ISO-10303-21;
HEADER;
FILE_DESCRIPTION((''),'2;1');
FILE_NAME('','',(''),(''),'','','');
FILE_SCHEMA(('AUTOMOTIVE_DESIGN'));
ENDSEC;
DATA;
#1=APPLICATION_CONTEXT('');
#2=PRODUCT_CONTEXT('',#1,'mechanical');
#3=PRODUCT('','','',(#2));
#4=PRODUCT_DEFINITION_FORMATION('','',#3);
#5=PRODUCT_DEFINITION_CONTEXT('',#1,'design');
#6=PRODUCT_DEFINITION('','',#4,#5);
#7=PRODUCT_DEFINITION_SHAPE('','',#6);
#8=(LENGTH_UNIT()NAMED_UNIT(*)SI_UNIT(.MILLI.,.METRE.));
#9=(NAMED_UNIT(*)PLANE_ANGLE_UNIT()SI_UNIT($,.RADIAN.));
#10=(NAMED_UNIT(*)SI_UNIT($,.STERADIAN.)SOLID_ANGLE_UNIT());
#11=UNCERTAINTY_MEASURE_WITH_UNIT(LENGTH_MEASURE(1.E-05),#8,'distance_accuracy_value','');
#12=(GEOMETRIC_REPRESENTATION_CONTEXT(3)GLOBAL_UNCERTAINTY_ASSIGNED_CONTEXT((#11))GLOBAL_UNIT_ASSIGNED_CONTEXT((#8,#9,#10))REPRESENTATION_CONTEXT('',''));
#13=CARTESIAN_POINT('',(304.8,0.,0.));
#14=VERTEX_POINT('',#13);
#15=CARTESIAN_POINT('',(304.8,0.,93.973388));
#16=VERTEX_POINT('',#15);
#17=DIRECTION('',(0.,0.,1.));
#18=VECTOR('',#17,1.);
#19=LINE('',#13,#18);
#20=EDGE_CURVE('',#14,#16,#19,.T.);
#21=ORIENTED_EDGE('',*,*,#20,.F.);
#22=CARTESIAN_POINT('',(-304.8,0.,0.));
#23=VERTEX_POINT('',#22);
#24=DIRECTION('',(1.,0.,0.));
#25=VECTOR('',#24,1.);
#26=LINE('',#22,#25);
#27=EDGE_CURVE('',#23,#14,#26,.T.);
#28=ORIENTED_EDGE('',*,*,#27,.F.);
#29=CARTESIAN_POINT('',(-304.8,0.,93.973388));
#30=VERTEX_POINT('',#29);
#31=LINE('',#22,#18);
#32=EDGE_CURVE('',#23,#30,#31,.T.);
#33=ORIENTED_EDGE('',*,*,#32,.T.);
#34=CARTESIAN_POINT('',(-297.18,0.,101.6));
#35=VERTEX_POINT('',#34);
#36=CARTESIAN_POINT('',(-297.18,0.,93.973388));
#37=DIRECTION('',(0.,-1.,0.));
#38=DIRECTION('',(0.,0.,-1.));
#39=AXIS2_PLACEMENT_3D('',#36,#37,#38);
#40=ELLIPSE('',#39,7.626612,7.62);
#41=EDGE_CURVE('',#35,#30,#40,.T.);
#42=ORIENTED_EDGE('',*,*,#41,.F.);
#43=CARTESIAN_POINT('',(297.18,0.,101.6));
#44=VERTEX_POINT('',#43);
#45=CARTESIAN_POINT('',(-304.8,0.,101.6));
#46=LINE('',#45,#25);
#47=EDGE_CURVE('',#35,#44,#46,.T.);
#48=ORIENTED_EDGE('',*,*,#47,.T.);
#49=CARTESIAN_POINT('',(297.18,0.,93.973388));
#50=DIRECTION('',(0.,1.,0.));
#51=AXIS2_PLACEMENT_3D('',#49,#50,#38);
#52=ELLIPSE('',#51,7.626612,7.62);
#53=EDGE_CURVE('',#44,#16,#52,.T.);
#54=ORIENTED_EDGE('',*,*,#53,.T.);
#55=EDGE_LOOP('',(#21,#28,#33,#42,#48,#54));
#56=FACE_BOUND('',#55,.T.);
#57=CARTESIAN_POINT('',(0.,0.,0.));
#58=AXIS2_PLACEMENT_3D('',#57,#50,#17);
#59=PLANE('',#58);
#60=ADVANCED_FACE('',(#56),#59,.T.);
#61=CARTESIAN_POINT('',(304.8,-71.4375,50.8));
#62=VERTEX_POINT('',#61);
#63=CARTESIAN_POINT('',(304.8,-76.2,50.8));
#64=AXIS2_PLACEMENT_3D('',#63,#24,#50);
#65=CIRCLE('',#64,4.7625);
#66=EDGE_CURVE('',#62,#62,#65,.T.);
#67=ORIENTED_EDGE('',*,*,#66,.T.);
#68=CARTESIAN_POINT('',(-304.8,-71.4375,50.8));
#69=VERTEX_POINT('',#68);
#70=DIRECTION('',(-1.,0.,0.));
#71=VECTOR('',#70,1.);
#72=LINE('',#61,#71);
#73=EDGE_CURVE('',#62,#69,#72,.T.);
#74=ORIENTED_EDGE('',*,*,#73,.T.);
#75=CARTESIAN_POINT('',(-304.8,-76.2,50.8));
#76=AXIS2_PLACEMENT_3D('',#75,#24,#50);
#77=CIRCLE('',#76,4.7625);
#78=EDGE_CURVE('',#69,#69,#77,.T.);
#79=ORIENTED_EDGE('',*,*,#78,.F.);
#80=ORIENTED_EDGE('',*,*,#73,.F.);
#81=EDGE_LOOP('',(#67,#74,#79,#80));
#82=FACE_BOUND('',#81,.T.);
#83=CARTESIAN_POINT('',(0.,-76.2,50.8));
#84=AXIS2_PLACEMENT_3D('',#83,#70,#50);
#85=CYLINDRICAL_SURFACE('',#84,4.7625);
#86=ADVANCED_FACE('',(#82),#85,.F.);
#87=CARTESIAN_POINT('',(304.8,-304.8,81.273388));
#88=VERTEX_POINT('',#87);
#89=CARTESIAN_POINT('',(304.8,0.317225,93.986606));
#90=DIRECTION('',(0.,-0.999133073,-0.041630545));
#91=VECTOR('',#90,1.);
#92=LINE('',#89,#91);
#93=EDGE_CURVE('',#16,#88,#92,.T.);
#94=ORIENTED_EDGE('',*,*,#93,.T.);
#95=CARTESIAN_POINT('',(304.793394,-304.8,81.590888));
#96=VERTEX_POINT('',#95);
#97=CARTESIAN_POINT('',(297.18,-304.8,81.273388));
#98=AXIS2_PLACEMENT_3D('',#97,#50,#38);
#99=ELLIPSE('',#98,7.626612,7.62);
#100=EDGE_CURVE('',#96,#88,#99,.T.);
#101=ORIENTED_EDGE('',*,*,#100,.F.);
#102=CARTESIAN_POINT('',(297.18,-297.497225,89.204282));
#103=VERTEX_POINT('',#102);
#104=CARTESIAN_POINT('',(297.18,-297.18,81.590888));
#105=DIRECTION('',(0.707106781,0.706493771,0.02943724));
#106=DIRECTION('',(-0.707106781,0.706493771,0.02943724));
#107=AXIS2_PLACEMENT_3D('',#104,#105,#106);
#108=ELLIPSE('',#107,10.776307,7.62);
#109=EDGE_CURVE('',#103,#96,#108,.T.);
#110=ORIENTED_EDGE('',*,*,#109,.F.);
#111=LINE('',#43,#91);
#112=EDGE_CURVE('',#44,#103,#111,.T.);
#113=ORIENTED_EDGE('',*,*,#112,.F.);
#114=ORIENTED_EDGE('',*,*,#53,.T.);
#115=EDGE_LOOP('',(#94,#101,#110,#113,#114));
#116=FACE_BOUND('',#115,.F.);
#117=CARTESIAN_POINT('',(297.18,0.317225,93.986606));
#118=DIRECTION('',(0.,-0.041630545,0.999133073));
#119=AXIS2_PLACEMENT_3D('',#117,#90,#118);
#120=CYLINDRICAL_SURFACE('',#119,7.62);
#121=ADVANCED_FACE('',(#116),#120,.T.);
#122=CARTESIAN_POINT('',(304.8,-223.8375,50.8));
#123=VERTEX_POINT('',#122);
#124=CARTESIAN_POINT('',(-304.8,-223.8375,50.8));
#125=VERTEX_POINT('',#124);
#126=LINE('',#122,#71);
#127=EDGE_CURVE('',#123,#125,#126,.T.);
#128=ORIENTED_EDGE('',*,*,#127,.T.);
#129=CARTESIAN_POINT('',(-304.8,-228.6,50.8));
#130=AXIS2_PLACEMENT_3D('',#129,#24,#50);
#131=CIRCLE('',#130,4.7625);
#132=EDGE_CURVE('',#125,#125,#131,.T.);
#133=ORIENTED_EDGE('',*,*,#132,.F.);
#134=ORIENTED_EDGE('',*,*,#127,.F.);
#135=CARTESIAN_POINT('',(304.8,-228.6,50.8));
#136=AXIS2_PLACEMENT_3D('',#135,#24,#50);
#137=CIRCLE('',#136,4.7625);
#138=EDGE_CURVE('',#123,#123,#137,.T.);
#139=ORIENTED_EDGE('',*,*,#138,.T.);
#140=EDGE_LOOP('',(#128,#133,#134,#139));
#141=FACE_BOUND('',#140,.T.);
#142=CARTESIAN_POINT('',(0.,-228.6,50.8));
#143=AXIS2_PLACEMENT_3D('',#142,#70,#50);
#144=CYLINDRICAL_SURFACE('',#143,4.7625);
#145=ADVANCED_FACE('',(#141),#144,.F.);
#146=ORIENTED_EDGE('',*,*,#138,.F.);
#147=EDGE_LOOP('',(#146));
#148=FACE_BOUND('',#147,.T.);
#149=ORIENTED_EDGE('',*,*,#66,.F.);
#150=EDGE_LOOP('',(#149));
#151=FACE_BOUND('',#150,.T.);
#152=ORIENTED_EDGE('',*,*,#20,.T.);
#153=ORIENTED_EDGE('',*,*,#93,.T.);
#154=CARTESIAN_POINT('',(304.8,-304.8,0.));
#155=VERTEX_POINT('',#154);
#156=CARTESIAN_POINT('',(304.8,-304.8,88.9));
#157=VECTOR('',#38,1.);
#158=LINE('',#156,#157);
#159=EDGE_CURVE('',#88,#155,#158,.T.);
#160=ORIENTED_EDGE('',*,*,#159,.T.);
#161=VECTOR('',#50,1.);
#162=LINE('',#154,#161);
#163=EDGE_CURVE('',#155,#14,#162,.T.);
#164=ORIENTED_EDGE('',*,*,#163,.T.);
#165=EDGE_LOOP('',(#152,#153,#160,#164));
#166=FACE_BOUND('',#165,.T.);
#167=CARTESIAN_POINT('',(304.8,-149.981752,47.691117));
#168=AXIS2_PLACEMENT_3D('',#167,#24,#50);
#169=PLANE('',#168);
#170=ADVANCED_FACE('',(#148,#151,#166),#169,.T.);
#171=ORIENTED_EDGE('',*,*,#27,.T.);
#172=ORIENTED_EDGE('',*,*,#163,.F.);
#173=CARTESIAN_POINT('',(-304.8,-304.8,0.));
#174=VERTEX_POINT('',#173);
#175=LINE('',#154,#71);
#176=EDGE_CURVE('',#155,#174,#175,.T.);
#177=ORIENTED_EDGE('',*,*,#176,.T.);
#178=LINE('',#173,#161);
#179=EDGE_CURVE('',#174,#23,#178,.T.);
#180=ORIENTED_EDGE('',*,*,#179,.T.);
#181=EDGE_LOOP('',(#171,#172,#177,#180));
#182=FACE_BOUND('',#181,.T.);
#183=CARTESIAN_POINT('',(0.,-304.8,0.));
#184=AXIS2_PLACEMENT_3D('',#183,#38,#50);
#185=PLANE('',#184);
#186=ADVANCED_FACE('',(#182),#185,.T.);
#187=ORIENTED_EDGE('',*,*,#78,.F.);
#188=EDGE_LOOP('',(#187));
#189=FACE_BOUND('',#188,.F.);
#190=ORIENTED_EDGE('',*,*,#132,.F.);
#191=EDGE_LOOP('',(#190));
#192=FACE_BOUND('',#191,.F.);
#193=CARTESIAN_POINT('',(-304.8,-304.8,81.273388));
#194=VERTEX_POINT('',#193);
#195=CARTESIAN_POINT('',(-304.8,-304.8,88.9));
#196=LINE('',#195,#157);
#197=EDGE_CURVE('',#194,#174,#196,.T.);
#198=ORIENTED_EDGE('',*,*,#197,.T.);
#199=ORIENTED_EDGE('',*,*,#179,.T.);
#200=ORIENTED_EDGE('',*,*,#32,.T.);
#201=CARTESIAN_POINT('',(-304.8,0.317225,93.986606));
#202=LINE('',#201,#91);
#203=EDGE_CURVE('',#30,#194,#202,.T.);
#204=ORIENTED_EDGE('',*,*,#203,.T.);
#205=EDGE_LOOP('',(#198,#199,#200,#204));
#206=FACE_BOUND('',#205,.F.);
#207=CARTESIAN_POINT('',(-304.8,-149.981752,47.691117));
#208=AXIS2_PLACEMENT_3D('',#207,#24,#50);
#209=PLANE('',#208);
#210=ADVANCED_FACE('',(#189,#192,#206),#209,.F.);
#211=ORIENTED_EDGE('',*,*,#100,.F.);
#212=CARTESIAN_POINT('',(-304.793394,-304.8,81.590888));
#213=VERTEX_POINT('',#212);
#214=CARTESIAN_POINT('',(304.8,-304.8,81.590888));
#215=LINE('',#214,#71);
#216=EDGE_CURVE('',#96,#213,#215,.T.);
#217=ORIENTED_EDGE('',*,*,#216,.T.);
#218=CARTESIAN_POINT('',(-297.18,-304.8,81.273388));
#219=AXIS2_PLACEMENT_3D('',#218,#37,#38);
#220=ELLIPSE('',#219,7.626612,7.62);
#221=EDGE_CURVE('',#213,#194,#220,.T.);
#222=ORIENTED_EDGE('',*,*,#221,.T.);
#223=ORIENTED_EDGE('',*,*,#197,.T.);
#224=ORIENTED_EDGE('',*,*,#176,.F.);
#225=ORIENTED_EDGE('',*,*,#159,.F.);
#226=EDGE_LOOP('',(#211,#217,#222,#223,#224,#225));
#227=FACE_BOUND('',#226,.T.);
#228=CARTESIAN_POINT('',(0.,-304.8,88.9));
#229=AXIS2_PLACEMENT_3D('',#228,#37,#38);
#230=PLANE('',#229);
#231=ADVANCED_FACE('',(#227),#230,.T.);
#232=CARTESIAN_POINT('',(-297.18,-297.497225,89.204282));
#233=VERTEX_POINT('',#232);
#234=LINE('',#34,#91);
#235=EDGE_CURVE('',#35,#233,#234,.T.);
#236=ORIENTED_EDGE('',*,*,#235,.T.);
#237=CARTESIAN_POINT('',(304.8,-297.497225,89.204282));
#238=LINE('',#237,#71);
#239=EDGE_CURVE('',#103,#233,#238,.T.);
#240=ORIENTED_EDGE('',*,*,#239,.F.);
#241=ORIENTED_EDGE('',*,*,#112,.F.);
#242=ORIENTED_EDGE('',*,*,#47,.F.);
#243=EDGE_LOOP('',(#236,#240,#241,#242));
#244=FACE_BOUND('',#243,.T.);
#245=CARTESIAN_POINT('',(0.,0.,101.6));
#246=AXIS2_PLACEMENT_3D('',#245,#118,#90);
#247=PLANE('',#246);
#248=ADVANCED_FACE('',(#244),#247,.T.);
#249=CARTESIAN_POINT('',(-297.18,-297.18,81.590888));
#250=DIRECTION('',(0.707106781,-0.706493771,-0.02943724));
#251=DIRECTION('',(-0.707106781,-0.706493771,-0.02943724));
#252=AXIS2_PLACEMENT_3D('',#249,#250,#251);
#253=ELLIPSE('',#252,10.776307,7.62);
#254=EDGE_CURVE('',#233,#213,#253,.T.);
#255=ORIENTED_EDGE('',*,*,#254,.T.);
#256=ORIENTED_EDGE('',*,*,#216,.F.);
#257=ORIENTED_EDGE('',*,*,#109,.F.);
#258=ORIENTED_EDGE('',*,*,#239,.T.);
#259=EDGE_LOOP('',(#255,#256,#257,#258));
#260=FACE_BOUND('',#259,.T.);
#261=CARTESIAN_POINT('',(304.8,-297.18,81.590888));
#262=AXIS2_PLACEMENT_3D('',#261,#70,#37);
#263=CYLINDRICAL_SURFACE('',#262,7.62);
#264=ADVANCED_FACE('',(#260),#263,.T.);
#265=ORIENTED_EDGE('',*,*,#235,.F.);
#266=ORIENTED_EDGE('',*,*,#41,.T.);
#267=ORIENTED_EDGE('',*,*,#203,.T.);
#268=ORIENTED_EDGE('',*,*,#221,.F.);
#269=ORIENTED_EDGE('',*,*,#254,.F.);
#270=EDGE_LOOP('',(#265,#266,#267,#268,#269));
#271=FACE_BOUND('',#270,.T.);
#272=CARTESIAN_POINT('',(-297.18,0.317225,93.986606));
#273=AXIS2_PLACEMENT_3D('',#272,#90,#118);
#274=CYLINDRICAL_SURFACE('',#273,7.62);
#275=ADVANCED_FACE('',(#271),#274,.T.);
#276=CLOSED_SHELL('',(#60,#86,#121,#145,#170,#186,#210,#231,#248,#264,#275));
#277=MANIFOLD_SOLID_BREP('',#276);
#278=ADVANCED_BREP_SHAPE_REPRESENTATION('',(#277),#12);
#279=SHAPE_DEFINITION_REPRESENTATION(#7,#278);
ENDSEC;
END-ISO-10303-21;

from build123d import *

# Parameters (mm, degrees)
F0_R     = 4.7625
F1_DEPTH = 304.8
F2_R     = 7.62


with BuildPart() as f1:
    # F0 (on Right) → F1 (new body, symmetric)
    with BuildSketch(Plane.YZ):
        Polygon((-304.8, 0), (0, 0), (0, 101.6), (-304.8, 88.9), align=None)
        with Locations((-228.6, 50.8)):
            Circle(F0_R, mode=Mode.SUBTRACT)
        with Locations((-76.2, 50.8)):
            Circle(F0_R, mode=Mode.SUBTRACT)
    extrude(amount=F1_DEPTH, both=True)

    # F2
    f2_edges = [f1.edges().sort_by_distance(p)[0] for p in [
        (0, -304.8, 88.9),
        (-304.8, -152.4, 95.25),
        (304.8, -152.4, 95.25),
    ]]
    fillet(f2_edges, radius=F2_R)


solid = f1.part
